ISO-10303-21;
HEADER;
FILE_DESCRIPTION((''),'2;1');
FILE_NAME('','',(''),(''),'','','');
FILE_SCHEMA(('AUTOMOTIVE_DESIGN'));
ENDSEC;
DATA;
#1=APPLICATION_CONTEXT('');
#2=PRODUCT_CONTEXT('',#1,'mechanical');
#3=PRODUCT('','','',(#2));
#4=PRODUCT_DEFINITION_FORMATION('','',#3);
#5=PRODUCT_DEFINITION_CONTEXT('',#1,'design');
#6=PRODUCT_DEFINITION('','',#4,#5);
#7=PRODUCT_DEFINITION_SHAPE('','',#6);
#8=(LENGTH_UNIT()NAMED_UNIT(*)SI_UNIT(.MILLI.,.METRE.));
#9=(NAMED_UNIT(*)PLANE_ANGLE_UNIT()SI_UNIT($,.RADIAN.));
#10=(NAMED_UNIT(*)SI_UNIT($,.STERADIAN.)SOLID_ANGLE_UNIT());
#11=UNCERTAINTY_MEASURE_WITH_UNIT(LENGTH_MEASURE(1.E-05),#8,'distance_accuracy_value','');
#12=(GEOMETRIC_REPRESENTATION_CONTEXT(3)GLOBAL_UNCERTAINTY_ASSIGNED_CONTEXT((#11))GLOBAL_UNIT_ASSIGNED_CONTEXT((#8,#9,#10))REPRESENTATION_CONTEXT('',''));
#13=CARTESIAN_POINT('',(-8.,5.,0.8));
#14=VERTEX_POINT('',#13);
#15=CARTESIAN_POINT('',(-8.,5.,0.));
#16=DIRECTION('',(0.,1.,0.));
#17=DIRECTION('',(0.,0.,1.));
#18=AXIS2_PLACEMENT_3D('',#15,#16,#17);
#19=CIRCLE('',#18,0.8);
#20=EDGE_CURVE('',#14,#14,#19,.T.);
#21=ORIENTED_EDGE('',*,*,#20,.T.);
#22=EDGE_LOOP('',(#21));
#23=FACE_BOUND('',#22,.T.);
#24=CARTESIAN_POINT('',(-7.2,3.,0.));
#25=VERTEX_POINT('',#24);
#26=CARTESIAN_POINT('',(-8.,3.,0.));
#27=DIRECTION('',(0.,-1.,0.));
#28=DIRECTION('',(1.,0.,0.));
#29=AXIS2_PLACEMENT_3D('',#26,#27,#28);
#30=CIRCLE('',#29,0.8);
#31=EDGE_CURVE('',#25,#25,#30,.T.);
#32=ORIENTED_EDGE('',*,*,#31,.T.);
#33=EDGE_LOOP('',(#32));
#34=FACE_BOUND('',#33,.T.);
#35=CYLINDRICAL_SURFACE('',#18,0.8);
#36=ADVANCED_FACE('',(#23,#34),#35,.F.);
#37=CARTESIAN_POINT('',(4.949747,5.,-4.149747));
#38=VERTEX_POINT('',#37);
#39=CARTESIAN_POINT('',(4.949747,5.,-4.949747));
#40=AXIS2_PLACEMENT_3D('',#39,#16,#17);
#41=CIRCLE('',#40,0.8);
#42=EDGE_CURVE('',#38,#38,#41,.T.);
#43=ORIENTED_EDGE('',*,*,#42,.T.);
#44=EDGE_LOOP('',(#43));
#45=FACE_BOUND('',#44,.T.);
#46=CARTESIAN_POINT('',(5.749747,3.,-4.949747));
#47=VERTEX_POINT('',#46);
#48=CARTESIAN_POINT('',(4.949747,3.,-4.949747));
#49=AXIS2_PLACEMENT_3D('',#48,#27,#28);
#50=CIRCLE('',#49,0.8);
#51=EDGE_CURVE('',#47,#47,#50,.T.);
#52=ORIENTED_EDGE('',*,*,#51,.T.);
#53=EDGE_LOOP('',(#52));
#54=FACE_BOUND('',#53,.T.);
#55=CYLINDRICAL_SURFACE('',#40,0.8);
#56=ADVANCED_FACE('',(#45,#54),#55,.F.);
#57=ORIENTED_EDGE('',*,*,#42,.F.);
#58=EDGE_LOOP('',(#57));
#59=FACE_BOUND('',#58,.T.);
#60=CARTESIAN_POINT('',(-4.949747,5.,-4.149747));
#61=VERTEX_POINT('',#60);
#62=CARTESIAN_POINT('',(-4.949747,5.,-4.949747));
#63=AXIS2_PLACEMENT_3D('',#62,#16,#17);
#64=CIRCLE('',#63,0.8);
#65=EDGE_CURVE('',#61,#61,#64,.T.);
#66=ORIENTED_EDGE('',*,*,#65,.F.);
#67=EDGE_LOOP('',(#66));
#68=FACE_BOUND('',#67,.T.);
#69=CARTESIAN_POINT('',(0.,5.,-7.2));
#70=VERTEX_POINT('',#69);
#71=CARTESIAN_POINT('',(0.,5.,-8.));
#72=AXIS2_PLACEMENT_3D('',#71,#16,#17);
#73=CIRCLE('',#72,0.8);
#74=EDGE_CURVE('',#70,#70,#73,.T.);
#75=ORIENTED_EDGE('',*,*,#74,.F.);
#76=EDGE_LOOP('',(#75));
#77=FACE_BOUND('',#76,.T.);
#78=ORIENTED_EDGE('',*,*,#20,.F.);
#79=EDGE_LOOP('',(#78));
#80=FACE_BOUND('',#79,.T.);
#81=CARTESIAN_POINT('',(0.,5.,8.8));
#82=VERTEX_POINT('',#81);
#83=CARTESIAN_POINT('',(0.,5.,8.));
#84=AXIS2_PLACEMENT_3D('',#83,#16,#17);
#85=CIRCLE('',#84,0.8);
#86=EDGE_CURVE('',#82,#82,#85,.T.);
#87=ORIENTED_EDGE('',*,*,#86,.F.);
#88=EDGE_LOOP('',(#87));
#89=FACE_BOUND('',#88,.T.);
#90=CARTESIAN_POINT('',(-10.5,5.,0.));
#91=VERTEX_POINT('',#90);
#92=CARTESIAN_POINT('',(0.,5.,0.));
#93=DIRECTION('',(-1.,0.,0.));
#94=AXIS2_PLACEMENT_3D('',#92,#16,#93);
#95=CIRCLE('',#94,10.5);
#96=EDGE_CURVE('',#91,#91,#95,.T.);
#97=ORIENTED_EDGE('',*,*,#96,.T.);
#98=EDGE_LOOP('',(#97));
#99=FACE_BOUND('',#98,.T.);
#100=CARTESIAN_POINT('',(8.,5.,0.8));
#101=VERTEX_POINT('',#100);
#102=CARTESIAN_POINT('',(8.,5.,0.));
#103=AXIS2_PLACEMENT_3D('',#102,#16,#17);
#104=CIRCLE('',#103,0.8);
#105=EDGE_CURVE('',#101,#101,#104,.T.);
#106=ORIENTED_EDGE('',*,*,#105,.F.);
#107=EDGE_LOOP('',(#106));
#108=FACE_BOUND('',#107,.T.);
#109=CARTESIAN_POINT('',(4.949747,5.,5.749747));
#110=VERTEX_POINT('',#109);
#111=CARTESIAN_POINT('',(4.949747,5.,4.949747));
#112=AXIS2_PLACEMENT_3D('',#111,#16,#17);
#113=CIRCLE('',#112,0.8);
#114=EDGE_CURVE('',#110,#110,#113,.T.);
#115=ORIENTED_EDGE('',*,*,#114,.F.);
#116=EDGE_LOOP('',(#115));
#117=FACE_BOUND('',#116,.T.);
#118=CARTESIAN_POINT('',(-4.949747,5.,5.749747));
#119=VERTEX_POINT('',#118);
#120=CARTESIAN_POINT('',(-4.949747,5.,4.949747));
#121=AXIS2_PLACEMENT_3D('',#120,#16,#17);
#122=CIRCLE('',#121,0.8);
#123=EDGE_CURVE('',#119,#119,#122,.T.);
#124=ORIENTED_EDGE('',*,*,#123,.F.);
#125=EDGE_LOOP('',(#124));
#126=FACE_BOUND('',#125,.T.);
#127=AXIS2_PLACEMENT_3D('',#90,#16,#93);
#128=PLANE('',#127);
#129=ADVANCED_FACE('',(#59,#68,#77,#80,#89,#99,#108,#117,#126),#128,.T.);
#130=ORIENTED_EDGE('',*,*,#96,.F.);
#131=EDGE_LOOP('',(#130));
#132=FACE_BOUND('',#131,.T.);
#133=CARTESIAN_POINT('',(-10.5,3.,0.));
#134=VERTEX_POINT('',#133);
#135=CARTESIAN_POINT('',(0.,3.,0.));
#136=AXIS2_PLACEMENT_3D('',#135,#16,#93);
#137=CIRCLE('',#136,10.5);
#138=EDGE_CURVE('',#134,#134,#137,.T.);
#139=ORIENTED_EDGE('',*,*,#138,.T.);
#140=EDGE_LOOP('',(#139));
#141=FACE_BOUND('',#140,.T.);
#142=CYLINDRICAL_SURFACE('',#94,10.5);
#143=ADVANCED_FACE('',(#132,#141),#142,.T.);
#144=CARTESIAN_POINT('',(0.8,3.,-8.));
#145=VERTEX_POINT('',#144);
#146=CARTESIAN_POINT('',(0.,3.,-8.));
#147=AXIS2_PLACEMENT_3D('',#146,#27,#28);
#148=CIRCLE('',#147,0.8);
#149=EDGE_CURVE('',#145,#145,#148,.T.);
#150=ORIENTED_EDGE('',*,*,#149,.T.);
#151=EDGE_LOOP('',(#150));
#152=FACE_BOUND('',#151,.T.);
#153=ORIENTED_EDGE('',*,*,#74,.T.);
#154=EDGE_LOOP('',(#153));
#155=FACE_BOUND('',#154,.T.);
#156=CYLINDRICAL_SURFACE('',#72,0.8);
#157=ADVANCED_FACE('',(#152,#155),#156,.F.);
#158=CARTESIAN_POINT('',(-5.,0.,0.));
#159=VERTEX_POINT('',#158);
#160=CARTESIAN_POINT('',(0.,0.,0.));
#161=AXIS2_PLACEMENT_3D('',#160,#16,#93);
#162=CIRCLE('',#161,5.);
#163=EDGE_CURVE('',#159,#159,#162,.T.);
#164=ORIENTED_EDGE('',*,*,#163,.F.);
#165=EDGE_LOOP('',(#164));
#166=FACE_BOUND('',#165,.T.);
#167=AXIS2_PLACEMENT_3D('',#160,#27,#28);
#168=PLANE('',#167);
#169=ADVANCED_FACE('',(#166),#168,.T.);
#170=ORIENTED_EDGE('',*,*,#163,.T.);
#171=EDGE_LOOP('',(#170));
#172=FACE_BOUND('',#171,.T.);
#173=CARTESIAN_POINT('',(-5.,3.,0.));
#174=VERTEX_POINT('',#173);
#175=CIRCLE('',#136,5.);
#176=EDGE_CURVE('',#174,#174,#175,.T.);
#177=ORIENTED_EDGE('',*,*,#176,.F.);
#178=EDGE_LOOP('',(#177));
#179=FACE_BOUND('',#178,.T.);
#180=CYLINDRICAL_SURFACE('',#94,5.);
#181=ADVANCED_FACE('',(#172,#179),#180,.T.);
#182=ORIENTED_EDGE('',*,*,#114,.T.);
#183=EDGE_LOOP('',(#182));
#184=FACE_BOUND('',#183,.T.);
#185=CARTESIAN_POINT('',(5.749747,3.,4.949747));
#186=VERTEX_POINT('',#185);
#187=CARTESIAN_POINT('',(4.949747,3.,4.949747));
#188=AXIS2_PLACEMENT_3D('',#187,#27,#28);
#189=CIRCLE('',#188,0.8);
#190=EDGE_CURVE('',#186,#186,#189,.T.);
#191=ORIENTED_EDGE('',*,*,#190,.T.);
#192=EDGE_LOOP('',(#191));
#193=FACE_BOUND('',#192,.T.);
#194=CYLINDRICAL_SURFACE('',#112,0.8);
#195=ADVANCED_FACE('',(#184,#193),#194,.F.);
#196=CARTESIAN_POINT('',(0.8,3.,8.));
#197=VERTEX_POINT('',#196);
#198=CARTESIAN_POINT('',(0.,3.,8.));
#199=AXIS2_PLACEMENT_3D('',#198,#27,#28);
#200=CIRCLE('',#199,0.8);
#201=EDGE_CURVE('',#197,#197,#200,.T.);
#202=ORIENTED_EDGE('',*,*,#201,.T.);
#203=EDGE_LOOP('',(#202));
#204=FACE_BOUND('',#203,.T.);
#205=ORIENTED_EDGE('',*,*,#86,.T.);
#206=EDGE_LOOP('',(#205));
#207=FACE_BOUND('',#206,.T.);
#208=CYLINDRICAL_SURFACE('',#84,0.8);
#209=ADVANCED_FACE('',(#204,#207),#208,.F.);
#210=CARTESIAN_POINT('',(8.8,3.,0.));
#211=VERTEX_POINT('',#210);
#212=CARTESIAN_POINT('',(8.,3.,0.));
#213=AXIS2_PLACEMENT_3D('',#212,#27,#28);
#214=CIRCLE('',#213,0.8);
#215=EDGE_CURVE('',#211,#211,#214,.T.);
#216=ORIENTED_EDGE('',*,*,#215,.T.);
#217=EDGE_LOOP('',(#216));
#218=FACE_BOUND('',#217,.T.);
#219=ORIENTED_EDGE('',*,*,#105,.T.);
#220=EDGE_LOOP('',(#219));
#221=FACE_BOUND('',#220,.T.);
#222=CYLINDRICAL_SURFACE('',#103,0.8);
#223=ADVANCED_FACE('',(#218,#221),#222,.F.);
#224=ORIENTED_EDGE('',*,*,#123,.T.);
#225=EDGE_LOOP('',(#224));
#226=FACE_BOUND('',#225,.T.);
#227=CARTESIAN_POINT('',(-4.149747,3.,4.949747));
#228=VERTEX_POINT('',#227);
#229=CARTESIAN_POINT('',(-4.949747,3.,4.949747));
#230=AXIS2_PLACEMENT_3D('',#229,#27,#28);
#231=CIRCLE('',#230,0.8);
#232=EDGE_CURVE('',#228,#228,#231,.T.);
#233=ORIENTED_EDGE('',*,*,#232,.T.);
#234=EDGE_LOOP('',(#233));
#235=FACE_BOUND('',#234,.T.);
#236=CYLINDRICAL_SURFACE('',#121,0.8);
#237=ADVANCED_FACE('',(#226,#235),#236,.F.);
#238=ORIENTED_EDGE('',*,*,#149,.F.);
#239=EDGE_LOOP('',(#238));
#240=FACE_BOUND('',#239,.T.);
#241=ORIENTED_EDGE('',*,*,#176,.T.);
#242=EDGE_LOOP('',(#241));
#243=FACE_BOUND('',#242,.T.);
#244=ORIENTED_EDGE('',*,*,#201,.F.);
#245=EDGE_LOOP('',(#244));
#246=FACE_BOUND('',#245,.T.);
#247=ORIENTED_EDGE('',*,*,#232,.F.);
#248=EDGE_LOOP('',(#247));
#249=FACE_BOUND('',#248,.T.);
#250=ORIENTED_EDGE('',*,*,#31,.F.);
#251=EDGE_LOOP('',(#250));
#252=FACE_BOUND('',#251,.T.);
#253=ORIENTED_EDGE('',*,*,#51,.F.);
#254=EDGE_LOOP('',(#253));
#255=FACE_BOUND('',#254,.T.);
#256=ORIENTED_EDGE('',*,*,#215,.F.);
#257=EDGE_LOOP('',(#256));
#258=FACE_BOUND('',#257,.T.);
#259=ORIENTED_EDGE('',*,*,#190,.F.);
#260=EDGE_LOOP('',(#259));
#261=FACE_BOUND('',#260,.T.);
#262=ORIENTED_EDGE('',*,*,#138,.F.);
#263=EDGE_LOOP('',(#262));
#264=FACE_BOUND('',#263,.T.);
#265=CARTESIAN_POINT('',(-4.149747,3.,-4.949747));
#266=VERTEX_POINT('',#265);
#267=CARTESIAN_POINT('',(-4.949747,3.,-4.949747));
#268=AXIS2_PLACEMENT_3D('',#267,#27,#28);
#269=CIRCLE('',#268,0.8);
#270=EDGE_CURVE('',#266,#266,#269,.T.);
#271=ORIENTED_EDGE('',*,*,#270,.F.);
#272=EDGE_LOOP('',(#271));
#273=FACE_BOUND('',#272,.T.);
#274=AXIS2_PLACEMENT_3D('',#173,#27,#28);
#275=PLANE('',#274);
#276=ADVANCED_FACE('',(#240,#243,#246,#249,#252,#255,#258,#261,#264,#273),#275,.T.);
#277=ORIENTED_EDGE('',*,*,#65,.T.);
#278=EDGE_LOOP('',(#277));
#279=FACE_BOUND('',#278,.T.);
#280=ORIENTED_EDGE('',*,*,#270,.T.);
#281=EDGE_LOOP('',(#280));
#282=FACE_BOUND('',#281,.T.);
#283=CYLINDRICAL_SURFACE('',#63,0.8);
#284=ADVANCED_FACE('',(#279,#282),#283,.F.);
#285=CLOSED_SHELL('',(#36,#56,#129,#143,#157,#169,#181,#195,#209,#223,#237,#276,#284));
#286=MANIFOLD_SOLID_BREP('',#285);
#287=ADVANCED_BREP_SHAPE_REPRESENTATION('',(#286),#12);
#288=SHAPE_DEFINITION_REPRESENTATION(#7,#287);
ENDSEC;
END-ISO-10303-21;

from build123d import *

# Parameters (mm, degrees)
M2_TAPPED_HOLE1_AT_2_COUNT = 2
M2_TAPPED_HOLE1_AT_2_PITCH = 5.814124225
CIRPATTERN1_COUNT          = 4


with BuildPart() as part:
    # Sketch1 → Revolve1 (revolve)
    with BuildSketch(Plane.XY):
        Polygon((-5, 0), (-5, 3), (-10.5, 3), (-10.5, 5), (0, 5), (0, 0), align=None)
    revolve(axis=Axis((0, 5, 0), (0, -1, 0)))

    # Sketch4 → M2 Tapped Hole1 (revolve, cut)
    with BuildSketch(Plane(origin=(8, 5, 0), x_dir=(0, 0, 1), z_dir=(1, 0, 0))):
        Polygon((0, 0), (0, 6.480688495), (0.8, 6), (0.8, 0), align=None)
    m2_tapped_hole1 = revolve(axis=Axis((8, 11.35, 0), (0, -1, 0)), mode=Mode.SUBTRACT)

    # M2 Tapped Hole1 at 2: M2 Tapped Hole1 ×2
    with Locations(*[Vector(-0.524628029, 0, 0.851331564) * (i * M2_TAPPED_HOLE1_AT_2_PITCH) for i in range(1, M2_TAPPED_HOLE1_AT_2_COUNT)]):
        add(m2_tapped_hole1, mode=Mode.SUBTRACT)

    # CirPattern1: M2 Tapped Hole1 ×4 about axis
    cirpattern1_axis = Axis((0, 0, 0), (0, 1, 0))
    for i in range(1, CIRPATTERN1_COUNT):
        add(m2_tapped_hole1.rotate(cirpattern1_axis, i * 360 / CIRPATTERN1_COUNT), mode=Mode.SUBTRACT)

    # CirPattern1 copy 1 sketch → CirPattern1 copy 1 (revolve, cut)
    with BuildSketch(Plane(origin=(4.949747468, 5, -4.949747468), x_dir=(1, 0, 0), z_dir=(0, 0, -1))):
        Polygon((0, 0), (0, 6.480688495), (0.8, 6), (0.8, 0), align=None)
    revolve(axis=Axis((4.949747468, 11.35, -4.949747468), (0, -1, 0)), mode=Mode.SUBTRACT)

    # CirPattern1 copy 2 sketch → CirPattern1 copy 2 (revolve, cut)
    with BuildSketch(Plane(origin=(-4.949747468, 5, -4.949747468), x_dir=(0, 0, -1), z_dir=(-1, 0, 0))):
        Polygon((0, 0), (0, 6.480688495), (0.8, 6), (0.8, 0), align=None)
    revolve(axis=Axis((-4.949747468, 11.35, -4.949747468), (0, -1, 0)), mode=Mode.SUBTRACT)

    # CirPattern1 copy 3 sketch → CirPattern1 copy 3 (revolve, cut)
    with BuildSketch(Plane(origin=(-4.949747468, 5, 4.949747468), x_dir=(-1, 0, 0), z_dir=(0, 0, 1))):
        Polygon((0, 0), (0, 6.480688495), (0.8, 6), (0.8, 0), align=None)
    revolve(axis=Axis((-4.949747468, 11.35, 4.949747468), (0, -1, 0)), mode=Mode.SUBTRACT)


solid = part.part
